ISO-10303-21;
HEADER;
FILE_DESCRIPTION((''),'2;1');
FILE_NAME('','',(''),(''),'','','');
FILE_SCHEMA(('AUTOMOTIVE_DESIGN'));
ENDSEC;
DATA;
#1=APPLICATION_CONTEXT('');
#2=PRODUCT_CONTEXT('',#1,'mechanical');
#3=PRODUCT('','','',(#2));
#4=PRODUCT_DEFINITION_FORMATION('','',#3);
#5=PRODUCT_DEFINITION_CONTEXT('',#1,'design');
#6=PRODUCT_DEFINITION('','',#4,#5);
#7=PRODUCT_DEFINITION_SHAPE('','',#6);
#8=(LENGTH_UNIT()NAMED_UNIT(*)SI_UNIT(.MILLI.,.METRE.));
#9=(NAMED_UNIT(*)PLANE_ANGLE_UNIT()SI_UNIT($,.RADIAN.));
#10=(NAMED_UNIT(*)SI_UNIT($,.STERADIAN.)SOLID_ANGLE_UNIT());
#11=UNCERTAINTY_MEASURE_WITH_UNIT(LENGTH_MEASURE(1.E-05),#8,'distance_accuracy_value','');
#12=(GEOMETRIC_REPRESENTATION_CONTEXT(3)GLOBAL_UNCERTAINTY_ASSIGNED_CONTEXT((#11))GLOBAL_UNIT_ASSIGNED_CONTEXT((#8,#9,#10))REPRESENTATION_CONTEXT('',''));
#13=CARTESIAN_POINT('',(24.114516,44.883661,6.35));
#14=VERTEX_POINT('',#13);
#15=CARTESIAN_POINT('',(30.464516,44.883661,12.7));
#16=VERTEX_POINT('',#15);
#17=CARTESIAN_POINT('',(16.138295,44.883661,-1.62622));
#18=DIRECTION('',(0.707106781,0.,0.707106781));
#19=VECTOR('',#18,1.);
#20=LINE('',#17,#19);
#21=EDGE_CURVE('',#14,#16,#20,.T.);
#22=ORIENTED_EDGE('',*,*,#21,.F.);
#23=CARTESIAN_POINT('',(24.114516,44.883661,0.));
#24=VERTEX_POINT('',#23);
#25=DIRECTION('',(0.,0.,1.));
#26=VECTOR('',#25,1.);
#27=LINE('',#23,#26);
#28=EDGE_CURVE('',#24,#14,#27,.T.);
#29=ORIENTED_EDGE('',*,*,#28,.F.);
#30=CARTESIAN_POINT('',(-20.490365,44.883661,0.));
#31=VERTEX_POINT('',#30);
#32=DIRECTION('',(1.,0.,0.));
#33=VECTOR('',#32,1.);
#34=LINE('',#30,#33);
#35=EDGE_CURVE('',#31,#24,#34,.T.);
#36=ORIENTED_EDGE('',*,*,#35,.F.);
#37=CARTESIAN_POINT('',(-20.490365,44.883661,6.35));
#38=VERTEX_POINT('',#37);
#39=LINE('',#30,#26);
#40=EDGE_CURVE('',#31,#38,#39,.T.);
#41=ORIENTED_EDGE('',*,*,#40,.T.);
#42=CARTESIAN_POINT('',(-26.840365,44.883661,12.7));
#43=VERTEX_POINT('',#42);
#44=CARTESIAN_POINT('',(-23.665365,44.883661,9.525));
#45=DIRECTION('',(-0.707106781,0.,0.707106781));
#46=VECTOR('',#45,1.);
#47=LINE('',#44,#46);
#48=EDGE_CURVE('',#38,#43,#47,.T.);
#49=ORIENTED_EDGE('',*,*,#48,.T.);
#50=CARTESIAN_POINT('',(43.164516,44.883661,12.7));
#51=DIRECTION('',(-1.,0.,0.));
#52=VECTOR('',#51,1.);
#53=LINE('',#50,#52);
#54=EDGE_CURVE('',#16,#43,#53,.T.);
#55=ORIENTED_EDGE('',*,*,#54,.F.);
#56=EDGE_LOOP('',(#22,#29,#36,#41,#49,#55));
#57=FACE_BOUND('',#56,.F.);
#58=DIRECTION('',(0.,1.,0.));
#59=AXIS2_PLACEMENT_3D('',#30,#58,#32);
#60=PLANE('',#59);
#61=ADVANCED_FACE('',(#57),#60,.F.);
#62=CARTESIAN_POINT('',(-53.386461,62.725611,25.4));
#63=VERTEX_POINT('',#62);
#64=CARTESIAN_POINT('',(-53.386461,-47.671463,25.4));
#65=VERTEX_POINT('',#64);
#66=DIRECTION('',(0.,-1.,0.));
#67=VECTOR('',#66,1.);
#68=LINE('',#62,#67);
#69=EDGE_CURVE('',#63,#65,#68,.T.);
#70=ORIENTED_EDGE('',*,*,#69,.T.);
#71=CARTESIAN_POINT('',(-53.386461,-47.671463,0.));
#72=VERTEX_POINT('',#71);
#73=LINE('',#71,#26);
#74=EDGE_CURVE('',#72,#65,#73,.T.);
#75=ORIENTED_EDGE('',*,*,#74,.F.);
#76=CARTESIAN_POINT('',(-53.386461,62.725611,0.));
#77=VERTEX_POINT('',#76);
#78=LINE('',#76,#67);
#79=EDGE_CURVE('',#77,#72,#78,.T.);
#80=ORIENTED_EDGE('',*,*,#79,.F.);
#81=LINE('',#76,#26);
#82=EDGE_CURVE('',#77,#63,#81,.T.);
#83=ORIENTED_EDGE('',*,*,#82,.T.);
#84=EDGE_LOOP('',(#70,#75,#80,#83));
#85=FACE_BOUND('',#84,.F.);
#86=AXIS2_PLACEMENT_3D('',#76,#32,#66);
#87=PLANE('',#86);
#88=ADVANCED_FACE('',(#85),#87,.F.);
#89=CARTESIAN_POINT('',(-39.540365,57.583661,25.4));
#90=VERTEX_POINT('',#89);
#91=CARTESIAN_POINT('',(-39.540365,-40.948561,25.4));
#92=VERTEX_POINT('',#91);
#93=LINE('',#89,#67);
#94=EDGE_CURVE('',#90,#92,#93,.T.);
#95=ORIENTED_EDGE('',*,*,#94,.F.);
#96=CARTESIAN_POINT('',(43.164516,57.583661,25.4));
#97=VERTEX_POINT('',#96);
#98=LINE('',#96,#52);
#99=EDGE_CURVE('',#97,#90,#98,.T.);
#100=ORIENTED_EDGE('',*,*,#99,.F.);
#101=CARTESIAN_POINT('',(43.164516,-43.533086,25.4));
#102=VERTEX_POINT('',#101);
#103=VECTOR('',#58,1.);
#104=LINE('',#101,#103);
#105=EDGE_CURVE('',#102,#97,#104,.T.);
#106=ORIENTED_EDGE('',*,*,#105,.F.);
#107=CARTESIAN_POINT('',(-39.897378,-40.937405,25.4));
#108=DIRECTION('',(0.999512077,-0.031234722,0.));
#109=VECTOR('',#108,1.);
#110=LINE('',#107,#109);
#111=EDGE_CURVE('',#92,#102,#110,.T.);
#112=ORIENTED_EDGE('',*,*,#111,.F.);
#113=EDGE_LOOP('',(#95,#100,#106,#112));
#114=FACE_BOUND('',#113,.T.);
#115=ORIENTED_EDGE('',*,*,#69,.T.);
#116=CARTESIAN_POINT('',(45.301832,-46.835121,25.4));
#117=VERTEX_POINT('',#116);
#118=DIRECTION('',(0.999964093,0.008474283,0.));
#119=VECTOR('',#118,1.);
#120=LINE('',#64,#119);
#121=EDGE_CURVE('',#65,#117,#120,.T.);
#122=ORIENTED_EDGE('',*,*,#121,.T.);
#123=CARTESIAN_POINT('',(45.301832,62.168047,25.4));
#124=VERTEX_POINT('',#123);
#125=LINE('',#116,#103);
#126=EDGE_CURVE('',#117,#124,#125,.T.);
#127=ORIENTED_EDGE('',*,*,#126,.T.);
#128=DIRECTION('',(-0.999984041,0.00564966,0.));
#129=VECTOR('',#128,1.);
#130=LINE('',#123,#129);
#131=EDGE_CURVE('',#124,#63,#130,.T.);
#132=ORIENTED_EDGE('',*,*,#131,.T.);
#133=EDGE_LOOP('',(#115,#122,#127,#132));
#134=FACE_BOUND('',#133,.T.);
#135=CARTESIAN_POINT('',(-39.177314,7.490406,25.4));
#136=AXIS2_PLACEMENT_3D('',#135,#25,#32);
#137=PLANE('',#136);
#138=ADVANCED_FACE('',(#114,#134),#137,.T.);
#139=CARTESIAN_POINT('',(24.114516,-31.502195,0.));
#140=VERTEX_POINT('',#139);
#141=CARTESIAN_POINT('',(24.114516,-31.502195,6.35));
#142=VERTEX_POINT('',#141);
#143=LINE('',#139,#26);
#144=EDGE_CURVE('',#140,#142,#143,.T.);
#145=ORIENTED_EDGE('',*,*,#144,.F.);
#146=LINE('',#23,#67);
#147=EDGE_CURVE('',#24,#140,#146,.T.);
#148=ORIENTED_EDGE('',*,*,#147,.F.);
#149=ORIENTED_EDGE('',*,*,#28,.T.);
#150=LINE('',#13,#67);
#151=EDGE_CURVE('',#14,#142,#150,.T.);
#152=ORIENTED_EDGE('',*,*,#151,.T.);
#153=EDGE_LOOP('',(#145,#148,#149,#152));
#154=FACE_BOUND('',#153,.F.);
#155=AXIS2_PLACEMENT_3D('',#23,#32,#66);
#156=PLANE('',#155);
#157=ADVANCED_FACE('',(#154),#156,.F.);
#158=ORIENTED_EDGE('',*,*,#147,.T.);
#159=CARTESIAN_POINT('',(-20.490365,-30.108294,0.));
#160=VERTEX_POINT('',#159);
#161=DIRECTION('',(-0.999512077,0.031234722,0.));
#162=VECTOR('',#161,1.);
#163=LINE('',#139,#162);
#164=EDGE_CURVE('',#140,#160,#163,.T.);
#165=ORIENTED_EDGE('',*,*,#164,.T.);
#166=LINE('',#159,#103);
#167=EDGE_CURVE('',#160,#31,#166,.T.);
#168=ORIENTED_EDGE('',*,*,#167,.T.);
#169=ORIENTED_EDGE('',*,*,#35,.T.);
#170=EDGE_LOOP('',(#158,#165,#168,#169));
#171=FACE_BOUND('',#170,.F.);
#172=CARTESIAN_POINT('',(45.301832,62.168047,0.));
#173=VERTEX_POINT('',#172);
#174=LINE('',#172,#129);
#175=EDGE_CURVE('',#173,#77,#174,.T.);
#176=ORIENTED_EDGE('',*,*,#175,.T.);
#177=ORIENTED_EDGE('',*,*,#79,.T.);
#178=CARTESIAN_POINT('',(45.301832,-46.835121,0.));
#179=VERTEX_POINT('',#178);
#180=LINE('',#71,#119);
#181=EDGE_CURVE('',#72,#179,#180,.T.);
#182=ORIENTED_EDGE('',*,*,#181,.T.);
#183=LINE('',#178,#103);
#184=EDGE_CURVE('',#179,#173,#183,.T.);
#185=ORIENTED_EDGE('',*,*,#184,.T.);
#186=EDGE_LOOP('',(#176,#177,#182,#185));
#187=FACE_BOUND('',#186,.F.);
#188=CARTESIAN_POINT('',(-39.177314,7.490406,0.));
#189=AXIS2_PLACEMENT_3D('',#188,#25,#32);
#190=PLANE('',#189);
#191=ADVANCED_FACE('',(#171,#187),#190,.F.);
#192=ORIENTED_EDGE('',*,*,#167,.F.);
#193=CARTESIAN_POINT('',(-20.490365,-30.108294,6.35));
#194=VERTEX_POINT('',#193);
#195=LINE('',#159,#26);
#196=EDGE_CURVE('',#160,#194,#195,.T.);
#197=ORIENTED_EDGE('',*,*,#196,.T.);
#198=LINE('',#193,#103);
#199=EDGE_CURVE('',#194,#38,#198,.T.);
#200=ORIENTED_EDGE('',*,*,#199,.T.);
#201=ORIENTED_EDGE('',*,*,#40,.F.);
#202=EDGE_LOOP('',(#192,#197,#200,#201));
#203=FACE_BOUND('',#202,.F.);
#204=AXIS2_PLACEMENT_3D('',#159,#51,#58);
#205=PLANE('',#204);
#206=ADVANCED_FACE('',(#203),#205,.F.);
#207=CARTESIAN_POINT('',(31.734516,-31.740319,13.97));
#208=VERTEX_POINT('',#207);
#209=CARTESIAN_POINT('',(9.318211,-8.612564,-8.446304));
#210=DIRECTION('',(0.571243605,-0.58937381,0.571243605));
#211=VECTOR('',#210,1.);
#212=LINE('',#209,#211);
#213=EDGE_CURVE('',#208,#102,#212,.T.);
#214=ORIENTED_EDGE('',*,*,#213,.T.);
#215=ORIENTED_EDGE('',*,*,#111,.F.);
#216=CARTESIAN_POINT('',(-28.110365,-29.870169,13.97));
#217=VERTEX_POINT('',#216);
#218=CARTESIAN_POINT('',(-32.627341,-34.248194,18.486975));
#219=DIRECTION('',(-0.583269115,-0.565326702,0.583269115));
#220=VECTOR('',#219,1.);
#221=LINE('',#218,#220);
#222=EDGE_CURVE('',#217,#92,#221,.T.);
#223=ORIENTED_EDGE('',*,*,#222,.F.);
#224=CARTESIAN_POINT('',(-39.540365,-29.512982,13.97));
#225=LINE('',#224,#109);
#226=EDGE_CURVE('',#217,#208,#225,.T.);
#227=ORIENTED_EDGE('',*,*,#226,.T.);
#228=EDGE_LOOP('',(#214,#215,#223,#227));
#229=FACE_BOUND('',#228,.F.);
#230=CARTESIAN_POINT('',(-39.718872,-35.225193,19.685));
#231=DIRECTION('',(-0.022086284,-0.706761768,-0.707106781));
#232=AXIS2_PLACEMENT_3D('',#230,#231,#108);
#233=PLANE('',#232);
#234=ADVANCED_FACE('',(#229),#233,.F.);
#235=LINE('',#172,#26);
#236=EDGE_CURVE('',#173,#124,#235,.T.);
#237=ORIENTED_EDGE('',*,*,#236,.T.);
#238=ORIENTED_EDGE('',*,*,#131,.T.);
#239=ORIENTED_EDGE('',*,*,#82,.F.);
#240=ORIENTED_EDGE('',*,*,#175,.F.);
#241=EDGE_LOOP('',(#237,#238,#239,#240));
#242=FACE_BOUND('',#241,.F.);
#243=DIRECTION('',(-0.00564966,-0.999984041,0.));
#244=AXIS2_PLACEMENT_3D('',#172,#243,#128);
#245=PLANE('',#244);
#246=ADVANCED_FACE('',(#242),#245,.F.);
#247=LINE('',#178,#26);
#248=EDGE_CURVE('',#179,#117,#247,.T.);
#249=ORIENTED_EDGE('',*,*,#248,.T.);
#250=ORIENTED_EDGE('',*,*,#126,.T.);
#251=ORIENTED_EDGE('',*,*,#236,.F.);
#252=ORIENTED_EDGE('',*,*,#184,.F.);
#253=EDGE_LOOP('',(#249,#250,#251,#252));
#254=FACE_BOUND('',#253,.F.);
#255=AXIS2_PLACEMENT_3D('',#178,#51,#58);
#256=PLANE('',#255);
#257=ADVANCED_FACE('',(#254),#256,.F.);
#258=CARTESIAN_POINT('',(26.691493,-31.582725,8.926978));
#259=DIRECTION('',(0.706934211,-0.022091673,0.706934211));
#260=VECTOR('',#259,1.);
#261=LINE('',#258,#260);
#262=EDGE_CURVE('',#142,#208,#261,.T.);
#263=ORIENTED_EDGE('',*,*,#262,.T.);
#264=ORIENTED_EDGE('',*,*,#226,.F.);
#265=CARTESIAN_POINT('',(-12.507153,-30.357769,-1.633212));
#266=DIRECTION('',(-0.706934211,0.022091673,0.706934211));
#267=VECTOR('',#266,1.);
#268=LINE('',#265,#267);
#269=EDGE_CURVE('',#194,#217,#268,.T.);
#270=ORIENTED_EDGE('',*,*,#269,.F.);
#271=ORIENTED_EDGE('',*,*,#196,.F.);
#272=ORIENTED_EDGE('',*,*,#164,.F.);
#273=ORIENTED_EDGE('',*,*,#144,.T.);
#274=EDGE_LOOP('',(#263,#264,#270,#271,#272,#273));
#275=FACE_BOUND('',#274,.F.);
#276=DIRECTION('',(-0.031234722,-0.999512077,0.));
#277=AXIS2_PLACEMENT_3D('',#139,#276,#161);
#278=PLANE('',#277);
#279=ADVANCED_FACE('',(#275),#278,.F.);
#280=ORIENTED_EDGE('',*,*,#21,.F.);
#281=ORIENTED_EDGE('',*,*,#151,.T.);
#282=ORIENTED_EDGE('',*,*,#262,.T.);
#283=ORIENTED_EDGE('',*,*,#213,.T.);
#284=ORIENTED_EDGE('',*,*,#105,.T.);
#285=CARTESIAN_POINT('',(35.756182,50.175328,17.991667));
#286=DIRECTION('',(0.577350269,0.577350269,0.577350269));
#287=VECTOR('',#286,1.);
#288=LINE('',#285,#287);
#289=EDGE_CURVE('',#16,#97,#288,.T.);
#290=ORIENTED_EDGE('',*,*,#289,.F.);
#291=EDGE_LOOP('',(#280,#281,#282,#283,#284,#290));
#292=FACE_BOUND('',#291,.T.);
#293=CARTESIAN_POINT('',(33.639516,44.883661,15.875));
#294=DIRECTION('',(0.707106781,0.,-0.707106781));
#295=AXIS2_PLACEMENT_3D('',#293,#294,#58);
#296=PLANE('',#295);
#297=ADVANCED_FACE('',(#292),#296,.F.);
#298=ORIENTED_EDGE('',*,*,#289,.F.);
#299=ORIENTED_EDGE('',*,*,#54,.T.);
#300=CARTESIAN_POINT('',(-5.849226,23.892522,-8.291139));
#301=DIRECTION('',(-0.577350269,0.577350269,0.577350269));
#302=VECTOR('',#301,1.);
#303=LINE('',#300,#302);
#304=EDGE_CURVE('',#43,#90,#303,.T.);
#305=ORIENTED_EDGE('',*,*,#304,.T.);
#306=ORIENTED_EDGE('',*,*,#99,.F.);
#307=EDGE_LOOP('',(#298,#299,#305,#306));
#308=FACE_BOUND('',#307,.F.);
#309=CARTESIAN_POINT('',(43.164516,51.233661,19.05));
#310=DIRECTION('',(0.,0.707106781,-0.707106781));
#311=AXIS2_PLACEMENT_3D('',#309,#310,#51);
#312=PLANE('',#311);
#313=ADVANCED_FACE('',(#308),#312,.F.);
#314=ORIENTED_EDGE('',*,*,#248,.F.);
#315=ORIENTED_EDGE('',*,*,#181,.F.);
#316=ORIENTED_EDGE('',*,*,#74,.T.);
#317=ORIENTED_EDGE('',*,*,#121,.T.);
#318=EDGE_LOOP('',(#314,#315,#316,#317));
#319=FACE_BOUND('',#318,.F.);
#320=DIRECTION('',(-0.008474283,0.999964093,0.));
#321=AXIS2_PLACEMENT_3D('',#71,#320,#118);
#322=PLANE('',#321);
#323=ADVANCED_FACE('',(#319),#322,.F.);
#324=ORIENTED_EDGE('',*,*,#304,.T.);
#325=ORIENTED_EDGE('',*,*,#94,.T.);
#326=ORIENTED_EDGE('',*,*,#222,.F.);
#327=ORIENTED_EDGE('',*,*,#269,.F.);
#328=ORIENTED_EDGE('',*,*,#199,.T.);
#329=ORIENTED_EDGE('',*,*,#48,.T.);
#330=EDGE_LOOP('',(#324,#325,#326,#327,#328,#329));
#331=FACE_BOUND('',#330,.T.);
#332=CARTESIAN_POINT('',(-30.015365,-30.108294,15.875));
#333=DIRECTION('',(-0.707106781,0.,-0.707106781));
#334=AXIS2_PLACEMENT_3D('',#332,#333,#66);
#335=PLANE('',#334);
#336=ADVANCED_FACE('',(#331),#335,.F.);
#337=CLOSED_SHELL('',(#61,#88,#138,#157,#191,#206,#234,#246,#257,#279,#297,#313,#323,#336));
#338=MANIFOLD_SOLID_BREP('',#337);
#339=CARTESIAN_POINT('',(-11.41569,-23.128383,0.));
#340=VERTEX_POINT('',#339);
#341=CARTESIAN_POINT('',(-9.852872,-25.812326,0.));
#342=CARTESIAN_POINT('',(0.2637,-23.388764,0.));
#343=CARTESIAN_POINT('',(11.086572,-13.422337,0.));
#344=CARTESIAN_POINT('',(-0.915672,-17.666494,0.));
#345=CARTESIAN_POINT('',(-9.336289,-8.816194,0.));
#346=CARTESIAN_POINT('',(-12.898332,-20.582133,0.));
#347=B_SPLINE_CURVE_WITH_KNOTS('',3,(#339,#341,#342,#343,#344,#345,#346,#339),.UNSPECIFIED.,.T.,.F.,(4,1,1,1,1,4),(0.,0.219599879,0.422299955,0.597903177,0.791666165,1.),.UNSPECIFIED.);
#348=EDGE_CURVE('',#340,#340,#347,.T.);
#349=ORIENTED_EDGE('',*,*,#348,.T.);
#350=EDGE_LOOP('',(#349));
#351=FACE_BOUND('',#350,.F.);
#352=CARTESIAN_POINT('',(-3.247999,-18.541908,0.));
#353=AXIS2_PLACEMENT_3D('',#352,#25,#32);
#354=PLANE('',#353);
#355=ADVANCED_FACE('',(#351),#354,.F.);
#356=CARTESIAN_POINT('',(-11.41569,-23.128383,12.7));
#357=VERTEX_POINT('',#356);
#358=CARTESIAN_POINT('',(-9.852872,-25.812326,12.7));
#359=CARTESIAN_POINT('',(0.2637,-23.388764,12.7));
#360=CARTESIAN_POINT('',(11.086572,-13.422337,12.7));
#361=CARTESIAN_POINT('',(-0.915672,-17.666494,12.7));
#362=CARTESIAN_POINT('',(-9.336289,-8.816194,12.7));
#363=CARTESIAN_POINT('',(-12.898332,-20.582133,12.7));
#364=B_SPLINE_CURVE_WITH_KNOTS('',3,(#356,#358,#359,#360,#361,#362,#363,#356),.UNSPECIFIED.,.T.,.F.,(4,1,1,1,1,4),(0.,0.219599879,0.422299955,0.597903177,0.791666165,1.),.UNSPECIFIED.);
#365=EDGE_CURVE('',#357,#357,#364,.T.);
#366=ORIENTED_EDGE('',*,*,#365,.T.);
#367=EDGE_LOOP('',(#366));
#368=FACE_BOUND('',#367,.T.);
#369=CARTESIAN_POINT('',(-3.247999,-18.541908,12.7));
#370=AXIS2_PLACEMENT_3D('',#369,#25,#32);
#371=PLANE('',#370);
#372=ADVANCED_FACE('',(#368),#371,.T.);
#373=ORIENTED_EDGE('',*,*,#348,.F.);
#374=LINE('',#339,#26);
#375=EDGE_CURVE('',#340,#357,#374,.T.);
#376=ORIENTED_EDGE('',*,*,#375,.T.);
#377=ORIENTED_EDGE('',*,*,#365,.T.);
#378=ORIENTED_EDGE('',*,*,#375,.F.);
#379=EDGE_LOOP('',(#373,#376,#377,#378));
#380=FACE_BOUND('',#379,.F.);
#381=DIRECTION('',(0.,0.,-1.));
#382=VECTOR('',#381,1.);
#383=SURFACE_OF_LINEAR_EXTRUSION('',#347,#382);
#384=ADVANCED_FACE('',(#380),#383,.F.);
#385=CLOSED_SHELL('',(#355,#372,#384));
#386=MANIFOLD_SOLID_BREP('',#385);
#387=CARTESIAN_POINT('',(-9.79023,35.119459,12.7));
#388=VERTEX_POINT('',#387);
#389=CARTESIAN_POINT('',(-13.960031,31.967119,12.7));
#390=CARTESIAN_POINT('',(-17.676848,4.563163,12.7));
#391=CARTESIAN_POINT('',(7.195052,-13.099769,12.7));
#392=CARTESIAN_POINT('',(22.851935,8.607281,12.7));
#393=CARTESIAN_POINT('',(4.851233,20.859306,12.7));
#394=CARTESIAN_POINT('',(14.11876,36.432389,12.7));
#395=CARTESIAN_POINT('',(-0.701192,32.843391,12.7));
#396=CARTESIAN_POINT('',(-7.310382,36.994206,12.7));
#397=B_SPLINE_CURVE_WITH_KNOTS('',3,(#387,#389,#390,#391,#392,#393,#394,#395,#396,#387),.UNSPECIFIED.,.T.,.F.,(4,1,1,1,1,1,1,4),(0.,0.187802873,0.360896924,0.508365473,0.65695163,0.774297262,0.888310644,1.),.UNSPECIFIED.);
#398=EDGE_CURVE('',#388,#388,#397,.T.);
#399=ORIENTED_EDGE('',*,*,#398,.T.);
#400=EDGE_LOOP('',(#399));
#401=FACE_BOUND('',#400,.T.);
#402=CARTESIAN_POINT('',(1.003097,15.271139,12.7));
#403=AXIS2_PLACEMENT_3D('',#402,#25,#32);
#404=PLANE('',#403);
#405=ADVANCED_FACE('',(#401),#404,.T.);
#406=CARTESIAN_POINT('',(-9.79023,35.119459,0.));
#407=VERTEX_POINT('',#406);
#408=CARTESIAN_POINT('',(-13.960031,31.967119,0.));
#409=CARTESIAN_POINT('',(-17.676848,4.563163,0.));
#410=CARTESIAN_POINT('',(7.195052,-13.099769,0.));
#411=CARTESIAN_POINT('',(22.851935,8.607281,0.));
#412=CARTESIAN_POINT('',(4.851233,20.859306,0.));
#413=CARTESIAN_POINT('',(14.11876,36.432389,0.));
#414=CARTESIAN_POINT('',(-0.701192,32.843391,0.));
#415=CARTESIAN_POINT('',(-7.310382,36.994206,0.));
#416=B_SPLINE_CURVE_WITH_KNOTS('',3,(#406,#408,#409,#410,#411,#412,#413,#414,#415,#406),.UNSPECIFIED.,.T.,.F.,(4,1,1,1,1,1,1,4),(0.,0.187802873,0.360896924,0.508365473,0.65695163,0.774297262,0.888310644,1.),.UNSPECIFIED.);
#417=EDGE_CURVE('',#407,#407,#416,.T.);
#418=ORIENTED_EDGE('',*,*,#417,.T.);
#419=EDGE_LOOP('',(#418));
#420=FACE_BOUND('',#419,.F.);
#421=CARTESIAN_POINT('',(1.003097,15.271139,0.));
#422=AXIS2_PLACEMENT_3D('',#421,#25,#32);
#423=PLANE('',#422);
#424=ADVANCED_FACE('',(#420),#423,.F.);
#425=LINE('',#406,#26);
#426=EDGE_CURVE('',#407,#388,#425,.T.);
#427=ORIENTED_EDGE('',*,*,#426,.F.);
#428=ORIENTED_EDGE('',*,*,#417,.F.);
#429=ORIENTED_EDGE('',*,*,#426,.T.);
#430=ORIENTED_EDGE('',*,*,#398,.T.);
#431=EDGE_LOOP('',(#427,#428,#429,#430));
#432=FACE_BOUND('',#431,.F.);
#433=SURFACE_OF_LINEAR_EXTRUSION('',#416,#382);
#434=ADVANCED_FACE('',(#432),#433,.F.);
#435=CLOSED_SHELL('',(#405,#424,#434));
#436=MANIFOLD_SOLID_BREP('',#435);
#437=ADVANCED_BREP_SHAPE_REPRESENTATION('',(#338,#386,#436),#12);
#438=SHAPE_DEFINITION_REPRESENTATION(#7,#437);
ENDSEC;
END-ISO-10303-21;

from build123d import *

# Parameters (mm, degrees)
F1_DEPTH = 25.4
F2_SIZE  = 19.05
F3_SIZE  = 12.7
F4_SIZE  = 11.43
F6_DEPTH = 12.7


with BuildPart() as f1:
    # F0 (on Top) → F1 (new body)
    with BuildSketch(Plane.XY):
        Polygon((-20.4903651029, 44.8836609721), (-53.3864609897, 62.7256110311), (-53.3864609897, -47.6714633405), (-20.4903651029, -30.1082935184), align=None)
        Polygon((45.3018322587, 62.1680468321), (-53.3864609897, 62.7256110311), (-20.4903651029, 44.8836609721), (24.1145156324, 44.8836609721), align=None)
        Polygon((45.3018322587, -46.8351207674), (45.3018322587, 62.1680468321), (24.1145156324, 44.8836609721), (24.1145156324, -31.5021947026), align=None)
        Polygon((-20.4903651029, -30.1082935184), (-53.3864609897, -47.6714633405), (45.3018322587, -46.8351207674), (24.1145156324, -31.5021947026), align=None)
    extrude(amount=F1_DEPTH)

    # F2
    f2_edges = [f1.edges().sort_by_distance(p)[0] for p in [
        (-20.490365, 7.387684, 25.4),
        (24.114516, 6.690733, 25.4),
    ]]
    chamfer(f2_edges, length=F2_SIZE)

    # F3
    f3_edges = [f1.edges().sort_by_distance(p)[0] for p in [
        (1.812075, 44.883661, 25.4),
    ]]
    chamfer(f3_edges, length=F3_SIZE)

    # F4
    f4_edges = [f1.edges().sort_by_distance(p)[0] for p in [
        (1.812075, -30.805244, 25.4),
    ]]
    chamfer(f4_edges, length=F4_SIZE)


with BuildPart() as f6:
    # F5 (on Top) → F6 (new body)
    with BuildSketch(Plane.XY):
        with BuildLine():
            add(Edge.make_bspline(
                [(-9.7902296111, 35.119459033), (-13.9600314327, 31.9671192837), (-17.6768482544, 4.563162706), (7.1950515709, -13.099769391), (22.8519345715, 8.6072810613), (4.8512330884, 20.8593058063), (14.1187603019, 36.4323892034), (-0.7011915668, 32.8433910096), (-7.310382144, 36.9942056223), (-9.7902296111, 35.119459033)],
                knots=[0, 0, 0, 0, 0.1878028732, 0.3608969238, 0.5083654729, 0.6569516297, 0.774297262, 0.8883106441, 1, 1, 1, 1], degree=3))
        make_face()
    extrude(amount=F6_DEPTH)


with BuildPart() as f6b:
    # F5 (on Top) → F6, piece 2 (new body)
    with BuildSketch(Plane.XY):
        with BuildLine():
            add(Edge.make_bspline(
                [(-11.4156901836, -23.1283828616), (-9.8528718543, -25.8123261533), (0.2637004008, -23.3887641196), (11.0865715709, -13.4223369011), (-0.9156724072, -17.6664935078), (-9.3362887382, -8.8161935634), (-12.8983318733, -20.5821328321), (-11.4156901836, -23.1283828616)],
                knots=[0, 0, 0, 0, 0.2195998788, 0.4222999547, 0.5979031768, 0.7916661654, 1, 1, 1, 1], degree=3))
        make_face()
    extrude(amount=F6_DEPTH)


solid = Compound([f1.part, f6.part, f6b.part])
